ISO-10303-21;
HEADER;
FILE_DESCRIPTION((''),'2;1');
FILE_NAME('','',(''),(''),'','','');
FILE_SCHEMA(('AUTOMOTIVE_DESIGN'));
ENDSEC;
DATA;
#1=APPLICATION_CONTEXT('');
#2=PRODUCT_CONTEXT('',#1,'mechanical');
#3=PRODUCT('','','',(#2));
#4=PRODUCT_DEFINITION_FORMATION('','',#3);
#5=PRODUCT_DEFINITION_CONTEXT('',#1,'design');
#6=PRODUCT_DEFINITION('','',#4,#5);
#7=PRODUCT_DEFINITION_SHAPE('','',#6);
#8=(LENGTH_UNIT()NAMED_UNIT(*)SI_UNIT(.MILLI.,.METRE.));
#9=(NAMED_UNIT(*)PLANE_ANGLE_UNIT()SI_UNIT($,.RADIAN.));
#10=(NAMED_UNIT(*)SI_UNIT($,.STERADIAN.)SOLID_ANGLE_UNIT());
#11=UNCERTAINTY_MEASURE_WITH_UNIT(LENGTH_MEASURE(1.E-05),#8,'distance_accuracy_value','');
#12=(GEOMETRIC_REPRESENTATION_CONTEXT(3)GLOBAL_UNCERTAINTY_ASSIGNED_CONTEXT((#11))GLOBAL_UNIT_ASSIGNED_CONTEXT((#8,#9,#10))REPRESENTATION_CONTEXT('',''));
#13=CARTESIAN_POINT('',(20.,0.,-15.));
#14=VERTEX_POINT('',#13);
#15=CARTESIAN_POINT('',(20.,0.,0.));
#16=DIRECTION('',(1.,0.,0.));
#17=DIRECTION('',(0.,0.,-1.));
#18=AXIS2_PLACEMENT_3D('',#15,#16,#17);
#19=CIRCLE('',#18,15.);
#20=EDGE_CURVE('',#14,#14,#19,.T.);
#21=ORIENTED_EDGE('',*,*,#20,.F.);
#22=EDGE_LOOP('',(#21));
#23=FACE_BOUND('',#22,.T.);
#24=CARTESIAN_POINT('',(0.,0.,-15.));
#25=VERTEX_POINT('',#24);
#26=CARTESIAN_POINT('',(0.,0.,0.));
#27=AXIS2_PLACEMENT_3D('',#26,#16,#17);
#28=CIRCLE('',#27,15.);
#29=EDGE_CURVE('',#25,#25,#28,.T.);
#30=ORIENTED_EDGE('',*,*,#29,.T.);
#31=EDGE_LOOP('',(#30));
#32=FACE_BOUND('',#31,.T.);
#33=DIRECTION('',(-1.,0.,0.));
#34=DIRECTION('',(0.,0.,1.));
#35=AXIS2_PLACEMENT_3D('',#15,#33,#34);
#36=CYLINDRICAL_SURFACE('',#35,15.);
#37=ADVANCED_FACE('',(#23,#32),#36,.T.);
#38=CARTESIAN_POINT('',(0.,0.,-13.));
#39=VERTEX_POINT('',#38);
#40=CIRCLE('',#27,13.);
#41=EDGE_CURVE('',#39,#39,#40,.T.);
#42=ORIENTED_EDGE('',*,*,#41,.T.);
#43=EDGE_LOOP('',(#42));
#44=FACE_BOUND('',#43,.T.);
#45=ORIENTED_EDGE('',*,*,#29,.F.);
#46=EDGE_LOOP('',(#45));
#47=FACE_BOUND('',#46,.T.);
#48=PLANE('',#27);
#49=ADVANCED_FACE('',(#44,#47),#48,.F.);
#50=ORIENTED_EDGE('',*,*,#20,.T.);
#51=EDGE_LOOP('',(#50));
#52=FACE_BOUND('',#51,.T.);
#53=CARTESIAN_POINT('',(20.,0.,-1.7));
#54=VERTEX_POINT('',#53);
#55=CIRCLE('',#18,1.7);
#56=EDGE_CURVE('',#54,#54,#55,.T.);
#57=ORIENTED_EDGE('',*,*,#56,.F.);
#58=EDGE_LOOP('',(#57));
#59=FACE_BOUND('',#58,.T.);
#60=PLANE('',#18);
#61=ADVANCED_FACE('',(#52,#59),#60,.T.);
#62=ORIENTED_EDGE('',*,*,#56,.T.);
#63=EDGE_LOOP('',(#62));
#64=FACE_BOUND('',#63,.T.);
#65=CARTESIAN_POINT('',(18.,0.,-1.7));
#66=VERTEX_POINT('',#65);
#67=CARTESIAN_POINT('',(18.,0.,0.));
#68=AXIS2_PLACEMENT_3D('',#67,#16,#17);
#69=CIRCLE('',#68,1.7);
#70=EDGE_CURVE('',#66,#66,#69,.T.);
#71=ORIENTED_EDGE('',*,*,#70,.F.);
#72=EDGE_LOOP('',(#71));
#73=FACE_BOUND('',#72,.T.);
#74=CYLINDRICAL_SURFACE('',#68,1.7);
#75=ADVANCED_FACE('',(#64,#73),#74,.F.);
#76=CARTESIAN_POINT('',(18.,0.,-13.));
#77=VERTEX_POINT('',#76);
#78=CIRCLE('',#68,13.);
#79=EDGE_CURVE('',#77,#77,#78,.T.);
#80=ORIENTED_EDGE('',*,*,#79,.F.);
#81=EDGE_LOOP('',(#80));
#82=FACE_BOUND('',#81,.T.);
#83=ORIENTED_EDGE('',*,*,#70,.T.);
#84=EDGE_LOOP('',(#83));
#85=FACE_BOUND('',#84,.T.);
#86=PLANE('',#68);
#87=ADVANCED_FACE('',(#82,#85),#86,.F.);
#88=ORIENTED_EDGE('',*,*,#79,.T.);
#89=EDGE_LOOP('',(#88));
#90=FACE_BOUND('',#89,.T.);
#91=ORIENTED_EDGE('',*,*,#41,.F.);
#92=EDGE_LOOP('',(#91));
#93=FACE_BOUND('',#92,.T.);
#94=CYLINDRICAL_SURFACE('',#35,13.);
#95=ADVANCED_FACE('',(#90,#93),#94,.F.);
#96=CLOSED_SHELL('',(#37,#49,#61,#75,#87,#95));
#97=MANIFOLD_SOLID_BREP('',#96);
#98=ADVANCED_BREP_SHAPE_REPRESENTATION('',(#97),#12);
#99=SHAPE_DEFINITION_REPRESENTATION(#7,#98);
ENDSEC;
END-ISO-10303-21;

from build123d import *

# Parameters (mm, degrees)
SKETCH1_R           = 15
BOSS_EXTRUDE3_DEPTH = 20
SHELL2_T            = -2
SKETCH2_R           = 1.7
CUT_EXTRUDE1_DEPTH  = 2


with BuildPart() as part:
    # Sketch1 → Boss-Extrude3 (new body)
    with BuildSketch(Plane(origin=(0, 0, 0), x_dir=(0, 0, -1), z_dir=(1, 0, 0))):
        Circle(SKETCH1_R)
    extrude(amount=BOSS_EXTRUDE3_DEPTH)

    # Shell2
    shell2_openings = [part.faces().sort_by_distance(p)[0] for p in [
        (0, 0, 0),
    ]]
    offset(amount=SHELL2_T, openings=shell2_openings, kind=Kind.INTERSECTION)

    # Sketch2 → Cut-Extrude1 (cut)
    with BuildSketch(Plane(origin=(20, 0, 0), x_dir=(0, 0, -1), z_dir=(1, 0, 0))):
        Circle(SKETCH2_R)
    extrude(amount=-CUT_EXTRUDE1_DEPTH, mode=Mode.SUBTRACT)


solid = part.part
